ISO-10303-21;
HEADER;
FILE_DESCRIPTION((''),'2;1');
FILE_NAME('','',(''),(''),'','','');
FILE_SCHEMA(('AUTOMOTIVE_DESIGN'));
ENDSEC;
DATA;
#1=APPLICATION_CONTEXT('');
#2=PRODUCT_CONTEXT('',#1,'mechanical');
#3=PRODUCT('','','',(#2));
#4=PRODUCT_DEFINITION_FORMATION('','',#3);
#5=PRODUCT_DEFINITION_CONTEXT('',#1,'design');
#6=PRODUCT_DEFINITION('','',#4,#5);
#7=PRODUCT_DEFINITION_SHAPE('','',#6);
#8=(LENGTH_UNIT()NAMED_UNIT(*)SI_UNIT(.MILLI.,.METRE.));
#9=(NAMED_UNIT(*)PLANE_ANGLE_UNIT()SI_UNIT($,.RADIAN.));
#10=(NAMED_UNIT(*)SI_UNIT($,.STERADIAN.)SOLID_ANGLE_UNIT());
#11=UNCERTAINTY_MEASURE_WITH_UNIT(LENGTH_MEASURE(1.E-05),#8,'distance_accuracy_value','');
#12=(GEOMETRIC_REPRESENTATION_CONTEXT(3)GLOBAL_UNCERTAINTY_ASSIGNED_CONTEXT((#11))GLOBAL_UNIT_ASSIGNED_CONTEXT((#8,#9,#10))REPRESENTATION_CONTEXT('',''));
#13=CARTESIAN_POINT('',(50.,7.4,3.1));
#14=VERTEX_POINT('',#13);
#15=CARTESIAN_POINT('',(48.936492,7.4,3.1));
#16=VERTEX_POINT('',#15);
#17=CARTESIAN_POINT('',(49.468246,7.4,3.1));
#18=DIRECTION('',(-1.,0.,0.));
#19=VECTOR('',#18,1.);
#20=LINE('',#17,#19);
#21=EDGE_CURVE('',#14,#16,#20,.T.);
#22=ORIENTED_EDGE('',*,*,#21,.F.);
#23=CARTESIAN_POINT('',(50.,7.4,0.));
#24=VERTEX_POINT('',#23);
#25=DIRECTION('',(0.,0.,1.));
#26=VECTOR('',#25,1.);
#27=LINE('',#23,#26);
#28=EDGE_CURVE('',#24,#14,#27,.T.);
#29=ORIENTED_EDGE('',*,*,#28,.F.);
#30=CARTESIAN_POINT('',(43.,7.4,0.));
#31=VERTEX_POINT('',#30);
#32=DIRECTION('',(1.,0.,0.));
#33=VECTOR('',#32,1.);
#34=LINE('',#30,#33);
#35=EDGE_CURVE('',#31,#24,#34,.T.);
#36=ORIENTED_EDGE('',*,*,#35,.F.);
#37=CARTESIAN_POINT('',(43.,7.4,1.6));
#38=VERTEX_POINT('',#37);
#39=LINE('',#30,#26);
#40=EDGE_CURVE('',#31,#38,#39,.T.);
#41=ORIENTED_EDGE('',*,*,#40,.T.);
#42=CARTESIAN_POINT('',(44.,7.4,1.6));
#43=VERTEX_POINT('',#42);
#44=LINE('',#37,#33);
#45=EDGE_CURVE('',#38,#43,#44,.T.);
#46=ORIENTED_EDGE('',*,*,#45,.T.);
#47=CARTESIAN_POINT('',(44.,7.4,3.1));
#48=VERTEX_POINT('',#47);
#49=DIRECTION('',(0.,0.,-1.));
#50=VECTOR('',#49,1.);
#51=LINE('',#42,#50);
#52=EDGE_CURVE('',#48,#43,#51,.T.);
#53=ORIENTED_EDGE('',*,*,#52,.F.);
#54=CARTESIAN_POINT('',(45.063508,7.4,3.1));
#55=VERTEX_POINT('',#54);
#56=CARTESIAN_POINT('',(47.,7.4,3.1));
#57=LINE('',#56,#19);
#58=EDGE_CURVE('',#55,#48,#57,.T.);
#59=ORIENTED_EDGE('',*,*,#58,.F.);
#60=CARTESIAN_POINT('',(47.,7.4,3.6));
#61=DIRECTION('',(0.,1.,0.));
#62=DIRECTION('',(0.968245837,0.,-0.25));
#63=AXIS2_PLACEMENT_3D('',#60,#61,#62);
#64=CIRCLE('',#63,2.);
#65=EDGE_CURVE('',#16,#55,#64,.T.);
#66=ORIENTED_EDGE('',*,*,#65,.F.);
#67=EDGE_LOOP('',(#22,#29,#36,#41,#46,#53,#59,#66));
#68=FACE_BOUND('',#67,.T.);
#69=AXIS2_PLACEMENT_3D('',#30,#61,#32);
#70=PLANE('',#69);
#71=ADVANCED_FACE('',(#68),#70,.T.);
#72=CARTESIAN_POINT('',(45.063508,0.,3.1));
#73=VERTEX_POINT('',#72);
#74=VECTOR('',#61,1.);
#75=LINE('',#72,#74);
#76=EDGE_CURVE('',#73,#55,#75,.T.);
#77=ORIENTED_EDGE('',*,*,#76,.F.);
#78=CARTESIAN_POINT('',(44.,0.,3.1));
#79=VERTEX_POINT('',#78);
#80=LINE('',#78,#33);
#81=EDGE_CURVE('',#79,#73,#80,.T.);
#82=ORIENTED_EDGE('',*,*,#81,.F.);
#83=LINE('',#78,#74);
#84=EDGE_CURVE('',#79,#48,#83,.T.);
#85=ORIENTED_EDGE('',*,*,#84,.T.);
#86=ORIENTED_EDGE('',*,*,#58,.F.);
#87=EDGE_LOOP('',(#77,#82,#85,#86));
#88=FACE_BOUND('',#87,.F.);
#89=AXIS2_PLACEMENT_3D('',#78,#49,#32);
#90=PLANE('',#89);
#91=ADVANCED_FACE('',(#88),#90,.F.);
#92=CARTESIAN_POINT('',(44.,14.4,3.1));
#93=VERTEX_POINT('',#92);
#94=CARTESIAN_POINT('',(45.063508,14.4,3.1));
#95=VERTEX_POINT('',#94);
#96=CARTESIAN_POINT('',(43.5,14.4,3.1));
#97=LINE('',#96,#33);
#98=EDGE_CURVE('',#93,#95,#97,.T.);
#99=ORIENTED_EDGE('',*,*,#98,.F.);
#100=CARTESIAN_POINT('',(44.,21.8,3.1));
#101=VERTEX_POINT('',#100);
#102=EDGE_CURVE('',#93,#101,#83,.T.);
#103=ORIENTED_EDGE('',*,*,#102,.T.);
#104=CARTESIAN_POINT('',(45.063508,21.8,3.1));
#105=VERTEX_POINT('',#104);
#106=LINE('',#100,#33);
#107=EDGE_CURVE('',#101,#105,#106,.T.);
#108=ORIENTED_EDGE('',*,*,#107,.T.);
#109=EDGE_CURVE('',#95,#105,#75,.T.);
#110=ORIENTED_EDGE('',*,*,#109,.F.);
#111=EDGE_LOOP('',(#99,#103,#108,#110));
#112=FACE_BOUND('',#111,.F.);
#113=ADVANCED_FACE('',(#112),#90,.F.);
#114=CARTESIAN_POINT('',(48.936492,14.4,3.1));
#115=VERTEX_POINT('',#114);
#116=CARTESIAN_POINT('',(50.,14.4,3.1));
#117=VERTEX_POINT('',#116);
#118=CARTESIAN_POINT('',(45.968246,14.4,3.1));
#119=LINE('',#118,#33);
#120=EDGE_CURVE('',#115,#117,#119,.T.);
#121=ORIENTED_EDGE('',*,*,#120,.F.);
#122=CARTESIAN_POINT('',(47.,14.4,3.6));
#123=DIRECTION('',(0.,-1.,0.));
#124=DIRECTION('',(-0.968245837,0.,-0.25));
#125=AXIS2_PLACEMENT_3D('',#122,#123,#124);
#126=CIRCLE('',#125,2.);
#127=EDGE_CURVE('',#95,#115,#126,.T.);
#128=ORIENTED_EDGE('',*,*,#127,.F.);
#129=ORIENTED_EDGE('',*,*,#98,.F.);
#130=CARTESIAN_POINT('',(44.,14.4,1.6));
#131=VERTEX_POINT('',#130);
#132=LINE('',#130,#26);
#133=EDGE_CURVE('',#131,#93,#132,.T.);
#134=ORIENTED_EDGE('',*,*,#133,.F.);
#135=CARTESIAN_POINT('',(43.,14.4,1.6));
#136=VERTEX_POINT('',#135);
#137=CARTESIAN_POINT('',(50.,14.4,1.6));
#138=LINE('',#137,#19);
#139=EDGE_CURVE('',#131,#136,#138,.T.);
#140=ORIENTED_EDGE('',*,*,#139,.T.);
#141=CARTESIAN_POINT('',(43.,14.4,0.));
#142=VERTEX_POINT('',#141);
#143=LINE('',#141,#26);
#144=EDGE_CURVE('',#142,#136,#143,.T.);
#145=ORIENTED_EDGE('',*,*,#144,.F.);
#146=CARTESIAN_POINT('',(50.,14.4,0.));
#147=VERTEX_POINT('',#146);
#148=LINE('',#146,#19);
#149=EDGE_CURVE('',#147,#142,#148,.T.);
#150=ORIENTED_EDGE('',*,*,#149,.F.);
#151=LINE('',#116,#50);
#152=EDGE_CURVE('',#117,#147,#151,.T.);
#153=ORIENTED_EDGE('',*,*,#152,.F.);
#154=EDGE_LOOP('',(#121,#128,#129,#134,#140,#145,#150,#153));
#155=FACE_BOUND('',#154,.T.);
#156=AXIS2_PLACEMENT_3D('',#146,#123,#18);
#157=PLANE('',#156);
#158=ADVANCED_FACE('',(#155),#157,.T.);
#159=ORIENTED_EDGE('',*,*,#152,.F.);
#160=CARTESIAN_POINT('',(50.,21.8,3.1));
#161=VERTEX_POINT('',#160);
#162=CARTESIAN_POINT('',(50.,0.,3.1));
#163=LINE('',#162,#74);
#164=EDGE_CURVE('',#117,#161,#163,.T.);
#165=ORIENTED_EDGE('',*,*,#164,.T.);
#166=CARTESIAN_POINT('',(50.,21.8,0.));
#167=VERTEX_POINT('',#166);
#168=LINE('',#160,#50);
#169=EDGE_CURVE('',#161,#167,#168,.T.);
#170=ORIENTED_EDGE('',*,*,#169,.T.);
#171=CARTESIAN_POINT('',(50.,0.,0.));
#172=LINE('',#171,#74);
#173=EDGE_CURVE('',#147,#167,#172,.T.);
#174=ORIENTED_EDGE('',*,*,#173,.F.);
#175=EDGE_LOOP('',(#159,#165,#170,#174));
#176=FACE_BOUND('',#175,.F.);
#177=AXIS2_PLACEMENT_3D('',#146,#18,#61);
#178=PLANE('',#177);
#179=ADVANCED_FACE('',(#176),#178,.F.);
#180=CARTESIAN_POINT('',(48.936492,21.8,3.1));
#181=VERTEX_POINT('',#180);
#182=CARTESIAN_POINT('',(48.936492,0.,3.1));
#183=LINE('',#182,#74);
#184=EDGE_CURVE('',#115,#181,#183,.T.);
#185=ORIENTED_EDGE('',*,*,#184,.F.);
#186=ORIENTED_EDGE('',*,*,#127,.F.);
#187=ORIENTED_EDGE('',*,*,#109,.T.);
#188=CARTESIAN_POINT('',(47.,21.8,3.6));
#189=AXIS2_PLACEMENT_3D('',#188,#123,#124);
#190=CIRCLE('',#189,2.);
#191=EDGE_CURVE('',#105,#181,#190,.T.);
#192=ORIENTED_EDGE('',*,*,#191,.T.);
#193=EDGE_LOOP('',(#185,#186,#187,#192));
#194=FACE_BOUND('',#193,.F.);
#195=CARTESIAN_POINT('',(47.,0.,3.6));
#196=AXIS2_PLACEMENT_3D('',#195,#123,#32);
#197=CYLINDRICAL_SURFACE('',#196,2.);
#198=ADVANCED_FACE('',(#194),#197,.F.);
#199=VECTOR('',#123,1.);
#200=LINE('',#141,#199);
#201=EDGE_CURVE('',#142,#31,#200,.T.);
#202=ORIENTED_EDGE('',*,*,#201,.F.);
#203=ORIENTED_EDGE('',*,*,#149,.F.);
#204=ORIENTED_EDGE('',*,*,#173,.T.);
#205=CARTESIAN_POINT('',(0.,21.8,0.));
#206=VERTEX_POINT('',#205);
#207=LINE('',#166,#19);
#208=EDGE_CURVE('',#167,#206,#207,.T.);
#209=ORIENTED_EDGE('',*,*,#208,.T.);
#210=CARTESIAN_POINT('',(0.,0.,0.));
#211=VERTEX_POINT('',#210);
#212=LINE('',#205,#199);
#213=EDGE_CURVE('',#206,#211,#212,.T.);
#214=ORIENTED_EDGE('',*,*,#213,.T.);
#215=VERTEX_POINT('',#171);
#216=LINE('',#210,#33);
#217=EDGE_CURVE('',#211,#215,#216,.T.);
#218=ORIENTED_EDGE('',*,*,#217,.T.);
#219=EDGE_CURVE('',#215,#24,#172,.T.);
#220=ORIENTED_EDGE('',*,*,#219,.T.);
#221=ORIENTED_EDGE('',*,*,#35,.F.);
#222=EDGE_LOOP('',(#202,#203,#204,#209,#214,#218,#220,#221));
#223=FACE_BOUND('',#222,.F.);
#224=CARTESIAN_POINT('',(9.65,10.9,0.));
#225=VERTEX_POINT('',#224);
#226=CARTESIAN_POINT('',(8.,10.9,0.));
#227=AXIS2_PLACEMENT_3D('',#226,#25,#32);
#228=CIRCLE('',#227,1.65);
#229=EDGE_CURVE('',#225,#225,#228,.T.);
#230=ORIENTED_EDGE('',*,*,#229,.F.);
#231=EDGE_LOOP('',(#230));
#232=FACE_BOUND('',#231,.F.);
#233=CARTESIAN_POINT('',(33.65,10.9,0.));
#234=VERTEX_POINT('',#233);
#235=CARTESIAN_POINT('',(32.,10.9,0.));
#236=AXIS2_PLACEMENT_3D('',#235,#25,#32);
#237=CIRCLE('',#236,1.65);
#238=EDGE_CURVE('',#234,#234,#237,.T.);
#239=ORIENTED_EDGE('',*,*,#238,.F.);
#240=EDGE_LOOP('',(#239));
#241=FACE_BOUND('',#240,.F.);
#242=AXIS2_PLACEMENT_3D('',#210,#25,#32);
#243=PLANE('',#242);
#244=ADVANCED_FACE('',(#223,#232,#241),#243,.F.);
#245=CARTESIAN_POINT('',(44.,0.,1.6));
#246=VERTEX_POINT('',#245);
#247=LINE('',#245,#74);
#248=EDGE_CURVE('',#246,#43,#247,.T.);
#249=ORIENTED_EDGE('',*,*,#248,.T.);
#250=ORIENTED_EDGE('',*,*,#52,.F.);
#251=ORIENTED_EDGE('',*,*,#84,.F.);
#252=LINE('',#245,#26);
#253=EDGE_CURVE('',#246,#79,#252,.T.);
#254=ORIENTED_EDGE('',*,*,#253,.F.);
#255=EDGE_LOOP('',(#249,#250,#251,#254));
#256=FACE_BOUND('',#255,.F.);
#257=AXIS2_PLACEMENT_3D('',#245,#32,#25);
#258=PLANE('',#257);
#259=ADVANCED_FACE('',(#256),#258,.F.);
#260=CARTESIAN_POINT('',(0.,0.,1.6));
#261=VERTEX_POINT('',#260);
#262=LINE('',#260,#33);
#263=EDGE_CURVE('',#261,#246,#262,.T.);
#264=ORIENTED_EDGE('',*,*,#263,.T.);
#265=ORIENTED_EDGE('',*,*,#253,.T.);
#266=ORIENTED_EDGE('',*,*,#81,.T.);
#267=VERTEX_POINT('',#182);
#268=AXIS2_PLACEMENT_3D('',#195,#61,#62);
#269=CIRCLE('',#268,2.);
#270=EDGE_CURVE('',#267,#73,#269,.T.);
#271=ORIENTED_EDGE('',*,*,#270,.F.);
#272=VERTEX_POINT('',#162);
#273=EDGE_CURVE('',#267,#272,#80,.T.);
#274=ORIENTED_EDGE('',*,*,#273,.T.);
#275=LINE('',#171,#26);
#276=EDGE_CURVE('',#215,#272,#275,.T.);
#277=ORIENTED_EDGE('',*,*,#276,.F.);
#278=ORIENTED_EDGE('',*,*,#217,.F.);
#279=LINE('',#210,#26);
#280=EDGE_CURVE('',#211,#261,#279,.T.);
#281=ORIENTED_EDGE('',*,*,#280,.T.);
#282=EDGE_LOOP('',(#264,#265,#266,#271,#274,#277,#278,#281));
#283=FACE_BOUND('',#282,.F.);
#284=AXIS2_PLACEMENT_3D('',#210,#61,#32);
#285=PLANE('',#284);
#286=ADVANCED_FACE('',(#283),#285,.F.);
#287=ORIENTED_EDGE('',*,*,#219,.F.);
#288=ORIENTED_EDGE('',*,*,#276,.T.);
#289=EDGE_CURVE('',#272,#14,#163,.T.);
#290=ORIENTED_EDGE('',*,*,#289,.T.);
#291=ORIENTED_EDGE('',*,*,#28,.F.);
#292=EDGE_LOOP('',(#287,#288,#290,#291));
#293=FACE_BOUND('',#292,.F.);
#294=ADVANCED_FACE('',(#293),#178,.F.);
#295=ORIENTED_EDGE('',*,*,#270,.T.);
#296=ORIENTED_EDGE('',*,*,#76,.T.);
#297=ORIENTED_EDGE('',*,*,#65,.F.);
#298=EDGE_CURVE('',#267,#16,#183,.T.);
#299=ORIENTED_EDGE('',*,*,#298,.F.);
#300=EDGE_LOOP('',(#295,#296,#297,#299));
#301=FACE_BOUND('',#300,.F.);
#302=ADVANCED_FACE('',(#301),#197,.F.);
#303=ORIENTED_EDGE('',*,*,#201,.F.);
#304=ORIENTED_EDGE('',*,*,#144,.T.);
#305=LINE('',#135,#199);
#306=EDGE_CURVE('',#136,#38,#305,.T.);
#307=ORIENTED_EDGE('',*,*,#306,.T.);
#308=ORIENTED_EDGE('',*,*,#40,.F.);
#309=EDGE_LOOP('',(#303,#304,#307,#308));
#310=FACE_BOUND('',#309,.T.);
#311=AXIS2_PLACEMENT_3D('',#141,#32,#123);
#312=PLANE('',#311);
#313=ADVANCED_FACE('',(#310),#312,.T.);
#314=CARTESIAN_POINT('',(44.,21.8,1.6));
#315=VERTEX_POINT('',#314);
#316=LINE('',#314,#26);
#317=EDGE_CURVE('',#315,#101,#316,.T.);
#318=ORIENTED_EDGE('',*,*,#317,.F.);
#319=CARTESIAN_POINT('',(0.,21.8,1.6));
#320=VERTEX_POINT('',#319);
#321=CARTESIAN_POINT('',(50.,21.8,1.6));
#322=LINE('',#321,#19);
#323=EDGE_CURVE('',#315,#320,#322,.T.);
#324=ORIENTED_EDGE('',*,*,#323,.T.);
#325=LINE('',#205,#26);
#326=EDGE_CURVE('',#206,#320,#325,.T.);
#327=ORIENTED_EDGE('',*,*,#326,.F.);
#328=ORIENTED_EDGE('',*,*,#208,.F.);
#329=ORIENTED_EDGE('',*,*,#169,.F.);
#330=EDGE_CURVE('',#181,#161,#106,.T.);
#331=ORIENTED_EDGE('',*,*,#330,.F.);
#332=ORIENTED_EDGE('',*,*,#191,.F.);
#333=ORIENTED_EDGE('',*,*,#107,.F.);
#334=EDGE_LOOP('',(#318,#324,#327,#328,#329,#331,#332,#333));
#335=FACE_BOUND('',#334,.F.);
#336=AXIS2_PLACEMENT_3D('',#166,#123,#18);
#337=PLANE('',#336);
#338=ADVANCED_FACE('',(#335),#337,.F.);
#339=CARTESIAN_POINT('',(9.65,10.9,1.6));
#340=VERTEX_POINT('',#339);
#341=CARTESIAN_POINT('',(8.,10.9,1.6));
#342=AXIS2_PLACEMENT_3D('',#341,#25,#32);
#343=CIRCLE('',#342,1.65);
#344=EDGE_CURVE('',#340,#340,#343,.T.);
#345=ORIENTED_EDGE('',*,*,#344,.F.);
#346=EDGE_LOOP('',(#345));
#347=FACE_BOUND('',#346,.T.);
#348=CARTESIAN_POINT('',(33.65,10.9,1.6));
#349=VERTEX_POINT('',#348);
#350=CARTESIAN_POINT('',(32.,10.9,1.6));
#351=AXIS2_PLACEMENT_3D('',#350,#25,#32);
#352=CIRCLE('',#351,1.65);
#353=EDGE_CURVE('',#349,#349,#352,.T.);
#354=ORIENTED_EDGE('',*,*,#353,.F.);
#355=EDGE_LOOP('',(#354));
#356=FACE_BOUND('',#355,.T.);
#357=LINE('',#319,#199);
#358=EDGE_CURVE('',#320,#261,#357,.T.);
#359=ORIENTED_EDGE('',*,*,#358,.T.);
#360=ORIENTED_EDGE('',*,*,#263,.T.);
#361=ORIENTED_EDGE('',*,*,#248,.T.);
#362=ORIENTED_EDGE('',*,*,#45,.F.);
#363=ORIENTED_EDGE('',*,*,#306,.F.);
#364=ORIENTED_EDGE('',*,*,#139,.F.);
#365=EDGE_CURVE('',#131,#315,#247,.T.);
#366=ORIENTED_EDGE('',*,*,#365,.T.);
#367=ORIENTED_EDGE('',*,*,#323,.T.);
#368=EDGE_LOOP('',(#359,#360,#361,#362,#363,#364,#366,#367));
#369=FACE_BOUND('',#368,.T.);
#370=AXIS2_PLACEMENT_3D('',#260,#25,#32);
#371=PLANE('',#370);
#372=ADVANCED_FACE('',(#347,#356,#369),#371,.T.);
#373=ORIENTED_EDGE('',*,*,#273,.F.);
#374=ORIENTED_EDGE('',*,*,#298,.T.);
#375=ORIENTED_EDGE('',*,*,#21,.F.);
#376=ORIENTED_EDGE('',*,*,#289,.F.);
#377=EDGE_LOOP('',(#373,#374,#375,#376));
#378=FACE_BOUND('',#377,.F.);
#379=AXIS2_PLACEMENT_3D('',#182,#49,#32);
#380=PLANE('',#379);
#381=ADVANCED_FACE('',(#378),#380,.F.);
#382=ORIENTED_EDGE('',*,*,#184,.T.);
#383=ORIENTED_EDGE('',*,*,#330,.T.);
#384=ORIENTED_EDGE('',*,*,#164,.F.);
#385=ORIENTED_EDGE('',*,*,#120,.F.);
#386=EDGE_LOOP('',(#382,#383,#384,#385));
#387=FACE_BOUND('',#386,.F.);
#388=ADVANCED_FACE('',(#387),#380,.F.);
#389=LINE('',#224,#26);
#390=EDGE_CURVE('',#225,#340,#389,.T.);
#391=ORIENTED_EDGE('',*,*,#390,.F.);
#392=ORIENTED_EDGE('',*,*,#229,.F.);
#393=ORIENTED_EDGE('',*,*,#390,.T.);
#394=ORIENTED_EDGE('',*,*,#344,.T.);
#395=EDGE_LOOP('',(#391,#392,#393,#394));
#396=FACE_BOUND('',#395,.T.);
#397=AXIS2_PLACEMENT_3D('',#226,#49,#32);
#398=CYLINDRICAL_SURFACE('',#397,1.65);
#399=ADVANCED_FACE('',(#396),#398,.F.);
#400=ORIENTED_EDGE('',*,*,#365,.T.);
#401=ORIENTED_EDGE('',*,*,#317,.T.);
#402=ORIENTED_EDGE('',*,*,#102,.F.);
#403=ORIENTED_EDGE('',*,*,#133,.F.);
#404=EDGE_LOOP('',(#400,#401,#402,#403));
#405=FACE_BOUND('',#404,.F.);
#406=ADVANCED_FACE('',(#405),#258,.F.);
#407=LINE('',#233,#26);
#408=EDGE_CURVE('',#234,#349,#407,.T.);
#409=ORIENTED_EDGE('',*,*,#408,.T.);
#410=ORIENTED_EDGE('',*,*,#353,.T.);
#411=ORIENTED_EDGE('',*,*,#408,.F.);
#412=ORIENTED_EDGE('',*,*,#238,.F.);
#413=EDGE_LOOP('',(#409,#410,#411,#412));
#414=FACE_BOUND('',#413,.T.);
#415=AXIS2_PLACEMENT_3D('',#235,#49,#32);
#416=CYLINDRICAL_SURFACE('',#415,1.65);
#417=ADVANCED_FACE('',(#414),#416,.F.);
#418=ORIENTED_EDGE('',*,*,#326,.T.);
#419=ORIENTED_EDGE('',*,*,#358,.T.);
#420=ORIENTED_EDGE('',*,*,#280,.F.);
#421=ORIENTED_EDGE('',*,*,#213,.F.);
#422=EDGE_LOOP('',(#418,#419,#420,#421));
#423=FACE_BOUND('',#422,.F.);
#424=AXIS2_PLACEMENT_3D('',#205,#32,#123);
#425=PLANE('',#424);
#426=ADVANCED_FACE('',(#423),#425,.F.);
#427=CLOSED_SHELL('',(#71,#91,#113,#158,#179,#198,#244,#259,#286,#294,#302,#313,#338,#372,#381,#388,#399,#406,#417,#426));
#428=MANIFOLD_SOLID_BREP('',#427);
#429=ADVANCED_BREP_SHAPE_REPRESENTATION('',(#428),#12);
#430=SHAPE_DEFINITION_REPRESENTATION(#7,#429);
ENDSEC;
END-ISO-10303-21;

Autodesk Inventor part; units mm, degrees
ref_plane "YZ Plane" through (0, 0, 0) normal (1, 0, 0) x (0, 1, 0)
ref_plane "XZ Plane" through (0, 0, 0) normal (0, 1, 0) x (-1, 0, 0)
ref_plane "XY Plane" through (0, 0, 0) normal (0, 0, 1) x (1, 0, 0)
sketch "Sketch1" plane through (0, 0, 0) normal (0, 0, 1) x (1, 0, 0)
  line L0 (0, 0) -> (50, 0)
  line L1 (50, 0) -> (50, 21.8)
  line L2 (50, 21.8) -> (0, 21.8)
  line L3 (0, 21.8) -> (0, 0)
  circle A0 centre (8, 10.9) radius 1.65
  circle A1 centre (32, 10.9) radius 1.65
  line L4 (50, 14.4) -> (43, 14.4)
  line L5 (43, 14.4) -> (43, 7.4)
  line L6 (43, 7.4) -> (50, 7.4)
  line L7 (50, 7.4) -> (50, 14.4)
  point P0 (46.5, 14.4)
  dimension "d0" = 50
  dimension "d1" = 21.8
  dimension "d2" = 3.3
  dimension "d3" = 3.3
  dimension "d4" = 8
  dimension "d5" = 24
  dimension "d6" = 10.9
  dimension "d7" = 10.9
  dimension "d10" = 7
  dimension "d11" = 7
  dimension "d12" = 7.4
extrude "Extrusion1" add sketch "Sketch1" along normal blind 1.6 contours L3 L2 L1 L4 L5 L6 L0
sketch "Sketch2" plane through (0, 0, 0) normal (0, -1, 0) x (1, 0, 0)
  line L0 (50, 0) -> (50, 1.6) projected
  line L1 (50, 1.6) -> (44, 1.6)
  line L2 (44, 1.6) -> (44, 3.1)
  line L3 (44, 3.1) -> (50, 3.1)
  line L4 (50, 3.1) -> (50, 1.6)
  circle A0 centre (47, 3.6) radius 2
  point P0 (0, 0)
  point P1 (47, 1.6)
  point P2 (47, 1.6)
  point P3 (45.0635, 3.1)
  point P4 (48.9365, 3.1)
  dimension "d13" = 6
  dimension "d14" = 1.5
  dimension "d15" = 4
  dimension "d16" = 2
  dimension "d17" = 3
extrude "Extrusion2" add sketch "Sketch2" against normal blind 21.8 contours L1 A0 L3 L4 | L1 L2 L3 A0
sketch "Sketch3" plane through (0, 0, 1.6) normal (0, 0, 1) x (1, 0, 0)
  line L0 (50, 7.4) -> (50, 14.4) projected
  line L1 (43, 14.4) -> (50, 14.4)
  line L2 (50, 14.4) -> (50, 7.4)
  line L3 (50, 7.4) -> (43, 7.4)
  line L4 (43, 7.4) -> (43, 14.4)
  point P0 (0, 0)
extrude "Extrusion3" cut sketch "Sketch3" along normal blind 5 and the other way blind 5
properties part number "Counter"
